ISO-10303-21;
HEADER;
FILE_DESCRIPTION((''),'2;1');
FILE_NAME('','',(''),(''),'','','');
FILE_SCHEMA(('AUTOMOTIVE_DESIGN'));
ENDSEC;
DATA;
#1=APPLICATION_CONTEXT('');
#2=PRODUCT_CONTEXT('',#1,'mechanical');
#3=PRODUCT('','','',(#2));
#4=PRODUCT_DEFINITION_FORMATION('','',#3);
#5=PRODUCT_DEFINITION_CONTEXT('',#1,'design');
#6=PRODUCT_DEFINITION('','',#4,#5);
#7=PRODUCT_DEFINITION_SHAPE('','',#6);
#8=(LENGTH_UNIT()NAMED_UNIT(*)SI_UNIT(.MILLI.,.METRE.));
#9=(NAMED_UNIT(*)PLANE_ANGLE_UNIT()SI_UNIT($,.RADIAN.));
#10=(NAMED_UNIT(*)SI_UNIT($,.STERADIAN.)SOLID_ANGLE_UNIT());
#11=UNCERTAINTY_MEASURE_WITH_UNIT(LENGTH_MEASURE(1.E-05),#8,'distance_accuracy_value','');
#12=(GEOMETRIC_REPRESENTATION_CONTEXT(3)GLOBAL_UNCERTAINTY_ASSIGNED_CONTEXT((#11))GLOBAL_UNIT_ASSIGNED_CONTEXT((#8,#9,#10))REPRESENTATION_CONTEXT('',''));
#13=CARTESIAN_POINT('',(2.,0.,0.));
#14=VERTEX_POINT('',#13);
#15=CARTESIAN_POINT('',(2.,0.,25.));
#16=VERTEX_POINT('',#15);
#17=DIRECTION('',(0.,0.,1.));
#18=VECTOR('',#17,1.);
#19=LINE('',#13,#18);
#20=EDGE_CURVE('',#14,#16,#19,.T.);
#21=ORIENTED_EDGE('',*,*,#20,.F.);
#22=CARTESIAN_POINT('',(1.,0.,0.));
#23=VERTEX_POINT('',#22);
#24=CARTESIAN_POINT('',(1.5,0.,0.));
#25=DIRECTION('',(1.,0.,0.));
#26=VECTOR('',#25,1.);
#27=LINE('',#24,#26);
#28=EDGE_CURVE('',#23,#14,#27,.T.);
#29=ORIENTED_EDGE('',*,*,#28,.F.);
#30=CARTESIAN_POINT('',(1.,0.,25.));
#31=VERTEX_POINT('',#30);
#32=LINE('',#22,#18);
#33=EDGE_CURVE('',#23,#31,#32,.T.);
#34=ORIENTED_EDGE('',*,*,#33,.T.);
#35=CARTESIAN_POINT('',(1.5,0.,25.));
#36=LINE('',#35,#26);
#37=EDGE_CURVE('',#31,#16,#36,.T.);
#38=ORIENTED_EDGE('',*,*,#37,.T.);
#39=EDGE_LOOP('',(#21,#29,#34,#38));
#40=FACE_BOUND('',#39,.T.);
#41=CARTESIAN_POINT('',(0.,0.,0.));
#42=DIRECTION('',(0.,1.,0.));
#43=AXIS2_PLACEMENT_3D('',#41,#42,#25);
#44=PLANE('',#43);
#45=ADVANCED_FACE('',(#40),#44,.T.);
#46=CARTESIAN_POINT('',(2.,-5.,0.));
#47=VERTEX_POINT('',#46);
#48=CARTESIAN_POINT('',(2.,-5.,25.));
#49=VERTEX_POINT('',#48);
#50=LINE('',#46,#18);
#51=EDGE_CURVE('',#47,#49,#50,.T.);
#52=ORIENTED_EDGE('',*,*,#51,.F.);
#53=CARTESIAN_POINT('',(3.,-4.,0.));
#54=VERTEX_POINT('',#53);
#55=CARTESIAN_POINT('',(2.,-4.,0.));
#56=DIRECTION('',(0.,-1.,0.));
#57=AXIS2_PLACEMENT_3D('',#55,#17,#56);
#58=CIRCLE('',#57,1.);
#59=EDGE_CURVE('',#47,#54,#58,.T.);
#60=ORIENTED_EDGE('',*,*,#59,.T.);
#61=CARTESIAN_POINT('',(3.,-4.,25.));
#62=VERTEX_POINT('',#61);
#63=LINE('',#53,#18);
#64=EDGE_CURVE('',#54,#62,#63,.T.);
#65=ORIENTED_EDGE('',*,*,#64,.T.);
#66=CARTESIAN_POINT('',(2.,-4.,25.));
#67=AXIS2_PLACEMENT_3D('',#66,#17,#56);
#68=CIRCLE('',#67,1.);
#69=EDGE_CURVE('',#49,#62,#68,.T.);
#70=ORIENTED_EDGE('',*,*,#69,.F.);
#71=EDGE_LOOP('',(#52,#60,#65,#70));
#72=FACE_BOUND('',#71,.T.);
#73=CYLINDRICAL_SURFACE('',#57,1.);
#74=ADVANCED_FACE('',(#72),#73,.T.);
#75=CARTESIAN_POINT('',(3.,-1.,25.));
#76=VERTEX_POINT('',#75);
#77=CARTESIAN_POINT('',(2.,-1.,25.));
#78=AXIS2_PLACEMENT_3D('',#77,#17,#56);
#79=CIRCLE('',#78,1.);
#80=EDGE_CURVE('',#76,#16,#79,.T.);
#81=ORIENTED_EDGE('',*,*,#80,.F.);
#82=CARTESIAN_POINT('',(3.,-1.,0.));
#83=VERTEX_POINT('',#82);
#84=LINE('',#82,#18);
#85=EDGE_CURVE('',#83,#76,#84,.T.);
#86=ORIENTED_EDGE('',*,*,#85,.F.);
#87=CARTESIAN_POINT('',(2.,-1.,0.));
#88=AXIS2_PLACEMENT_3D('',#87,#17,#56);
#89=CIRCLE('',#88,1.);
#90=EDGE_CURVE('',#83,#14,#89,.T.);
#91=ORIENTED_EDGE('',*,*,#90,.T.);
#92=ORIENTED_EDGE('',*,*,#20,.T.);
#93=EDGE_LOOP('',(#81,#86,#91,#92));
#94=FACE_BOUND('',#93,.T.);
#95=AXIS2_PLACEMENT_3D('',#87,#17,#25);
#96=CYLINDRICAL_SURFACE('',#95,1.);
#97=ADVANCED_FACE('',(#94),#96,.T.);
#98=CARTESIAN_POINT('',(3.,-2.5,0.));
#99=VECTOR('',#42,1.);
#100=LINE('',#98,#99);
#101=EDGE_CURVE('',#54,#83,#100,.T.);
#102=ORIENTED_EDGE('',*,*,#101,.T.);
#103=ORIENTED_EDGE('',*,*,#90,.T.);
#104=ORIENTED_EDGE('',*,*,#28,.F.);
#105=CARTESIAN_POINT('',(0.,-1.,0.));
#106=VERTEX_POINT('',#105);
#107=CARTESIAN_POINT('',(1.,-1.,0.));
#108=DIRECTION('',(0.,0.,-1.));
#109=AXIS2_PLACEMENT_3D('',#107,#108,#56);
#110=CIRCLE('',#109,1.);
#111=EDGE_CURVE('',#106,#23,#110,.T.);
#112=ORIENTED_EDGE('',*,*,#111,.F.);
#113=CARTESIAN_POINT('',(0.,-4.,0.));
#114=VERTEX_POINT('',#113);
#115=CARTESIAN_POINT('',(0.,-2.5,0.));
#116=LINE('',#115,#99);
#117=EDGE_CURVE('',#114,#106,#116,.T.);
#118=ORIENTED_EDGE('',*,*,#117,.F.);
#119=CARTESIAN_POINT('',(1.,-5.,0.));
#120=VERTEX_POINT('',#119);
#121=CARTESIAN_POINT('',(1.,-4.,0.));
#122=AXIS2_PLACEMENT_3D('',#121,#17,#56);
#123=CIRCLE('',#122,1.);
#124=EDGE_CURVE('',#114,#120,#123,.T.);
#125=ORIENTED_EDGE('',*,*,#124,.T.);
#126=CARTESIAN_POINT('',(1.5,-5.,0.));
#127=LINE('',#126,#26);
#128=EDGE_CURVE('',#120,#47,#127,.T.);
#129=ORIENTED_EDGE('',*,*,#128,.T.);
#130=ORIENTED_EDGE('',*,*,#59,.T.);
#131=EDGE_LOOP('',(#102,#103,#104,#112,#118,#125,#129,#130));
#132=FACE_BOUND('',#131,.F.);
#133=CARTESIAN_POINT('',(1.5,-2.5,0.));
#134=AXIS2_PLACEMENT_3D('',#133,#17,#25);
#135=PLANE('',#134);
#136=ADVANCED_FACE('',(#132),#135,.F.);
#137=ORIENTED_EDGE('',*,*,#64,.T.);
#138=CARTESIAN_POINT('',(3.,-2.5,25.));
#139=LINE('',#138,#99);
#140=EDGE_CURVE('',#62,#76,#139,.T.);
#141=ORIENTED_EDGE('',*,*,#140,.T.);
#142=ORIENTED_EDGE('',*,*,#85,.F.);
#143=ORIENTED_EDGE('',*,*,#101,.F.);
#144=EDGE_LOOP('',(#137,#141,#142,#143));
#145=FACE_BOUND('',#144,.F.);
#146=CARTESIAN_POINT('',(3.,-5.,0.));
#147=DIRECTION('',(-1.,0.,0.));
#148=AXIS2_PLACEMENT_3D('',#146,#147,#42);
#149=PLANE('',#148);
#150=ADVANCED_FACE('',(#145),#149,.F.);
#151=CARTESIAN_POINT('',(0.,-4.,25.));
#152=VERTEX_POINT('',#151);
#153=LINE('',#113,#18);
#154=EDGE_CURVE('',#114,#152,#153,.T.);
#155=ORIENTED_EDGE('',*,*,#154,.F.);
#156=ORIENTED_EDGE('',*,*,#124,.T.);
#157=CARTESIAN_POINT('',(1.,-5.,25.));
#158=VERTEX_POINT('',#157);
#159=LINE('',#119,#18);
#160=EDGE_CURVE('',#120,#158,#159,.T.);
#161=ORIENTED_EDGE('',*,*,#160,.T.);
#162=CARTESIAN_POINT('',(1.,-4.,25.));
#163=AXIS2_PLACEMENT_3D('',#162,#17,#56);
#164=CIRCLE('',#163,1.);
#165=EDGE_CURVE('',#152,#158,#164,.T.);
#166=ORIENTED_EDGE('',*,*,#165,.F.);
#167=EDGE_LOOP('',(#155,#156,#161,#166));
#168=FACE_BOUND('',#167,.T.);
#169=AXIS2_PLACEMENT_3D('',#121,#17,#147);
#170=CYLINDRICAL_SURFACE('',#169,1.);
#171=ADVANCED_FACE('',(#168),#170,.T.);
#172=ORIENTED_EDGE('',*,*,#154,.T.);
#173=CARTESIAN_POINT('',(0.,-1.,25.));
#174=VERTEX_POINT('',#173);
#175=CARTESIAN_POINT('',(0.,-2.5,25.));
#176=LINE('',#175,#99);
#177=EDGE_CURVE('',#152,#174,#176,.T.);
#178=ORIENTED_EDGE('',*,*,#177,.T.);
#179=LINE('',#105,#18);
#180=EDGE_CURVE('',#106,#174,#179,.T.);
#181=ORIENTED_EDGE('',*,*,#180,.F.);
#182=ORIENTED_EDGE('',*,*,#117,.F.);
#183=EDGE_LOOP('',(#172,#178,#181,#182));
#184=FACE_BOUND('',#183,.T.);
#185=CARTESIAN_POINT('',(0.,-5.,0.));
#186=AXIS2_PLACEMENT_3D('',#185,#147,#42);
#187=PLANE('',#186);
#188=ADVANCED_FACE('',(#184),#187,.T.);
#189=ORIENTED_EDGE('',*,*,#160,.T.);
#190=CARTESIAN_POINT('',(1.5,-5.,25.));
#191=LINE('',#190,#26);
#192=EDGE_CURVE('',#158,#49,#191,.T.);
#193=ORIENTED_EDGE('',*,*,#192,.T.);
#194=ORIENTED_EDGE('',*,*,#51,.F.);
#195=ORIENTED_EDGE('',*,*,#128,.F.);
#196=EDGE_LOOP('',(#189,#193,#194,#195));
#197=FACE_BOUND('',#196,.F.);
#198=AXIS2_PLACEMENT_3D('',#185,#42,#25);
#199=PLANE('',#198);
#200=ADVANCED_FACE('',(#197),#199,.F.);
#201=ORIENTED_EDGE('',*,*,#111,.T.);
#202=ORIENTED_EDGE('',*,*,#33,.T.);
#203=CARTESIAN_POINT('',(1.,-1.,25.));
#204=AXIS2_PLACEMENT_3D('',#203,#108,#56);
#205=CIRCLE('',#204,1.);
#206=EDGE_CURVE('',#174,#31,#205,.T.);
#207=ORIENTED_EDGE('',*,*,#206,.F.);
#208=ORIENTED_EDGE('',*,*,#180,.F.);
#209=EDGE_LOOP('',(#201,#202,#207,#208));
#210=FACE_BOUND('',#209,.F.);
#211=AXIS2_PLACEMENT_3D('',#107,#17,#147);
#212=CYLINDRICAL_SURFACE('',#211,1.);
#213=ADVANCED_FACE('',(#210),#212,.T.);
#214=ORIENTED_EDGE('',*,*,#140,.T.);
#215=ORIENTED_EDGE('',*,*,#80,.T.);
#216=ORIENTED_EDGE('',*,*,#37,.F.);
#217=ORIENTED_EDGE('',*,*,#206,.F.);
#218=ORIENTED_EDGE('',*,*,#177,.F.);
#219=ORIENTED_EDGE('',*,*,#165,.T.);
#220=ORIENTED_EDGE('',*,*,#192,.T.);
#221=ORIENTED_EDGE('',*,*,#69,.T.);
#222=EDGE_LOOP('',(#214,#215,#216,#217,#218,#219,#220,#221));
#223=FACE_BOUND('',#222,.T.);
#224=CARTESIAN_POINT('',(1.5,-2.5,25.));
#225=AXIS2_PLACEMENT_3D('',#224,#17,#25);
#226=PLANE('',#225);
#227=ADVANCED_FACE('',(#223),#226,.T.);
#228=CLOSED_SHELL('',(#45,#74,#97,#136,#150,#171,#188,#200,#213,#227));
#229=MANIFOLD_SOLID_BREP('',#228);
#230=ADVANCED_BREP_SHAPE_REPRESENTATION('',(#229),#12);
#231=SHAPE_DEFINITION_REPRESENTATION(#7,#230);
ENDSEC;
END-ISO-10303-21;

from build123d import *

# Parameters (mm, degrees)
F0_W     = 3
F0_H     = 5
F1_DEPTH = 25
F2_R     = 1


with BuildPart() as f1:
    # F0 (on Top) → F1 (new body)
    with BuildSketch(Plane.XY):
        with Locations((1.5, -2.5)):
            Rectangle(F0_W, F0_H)
    extrude(amount=F1_DEPTH)

    # F2
    f2_edges = [f1.edges().sort_by_distance(p)[0] for p in [
        (0, 0, 12.5),
        (0, -5, 12.5),
        (3, -5, 12.5),
        (3, 0, 12.5),
    ]]
    fillet(f2_edges, radius=F2_R)


solid = f1.part
